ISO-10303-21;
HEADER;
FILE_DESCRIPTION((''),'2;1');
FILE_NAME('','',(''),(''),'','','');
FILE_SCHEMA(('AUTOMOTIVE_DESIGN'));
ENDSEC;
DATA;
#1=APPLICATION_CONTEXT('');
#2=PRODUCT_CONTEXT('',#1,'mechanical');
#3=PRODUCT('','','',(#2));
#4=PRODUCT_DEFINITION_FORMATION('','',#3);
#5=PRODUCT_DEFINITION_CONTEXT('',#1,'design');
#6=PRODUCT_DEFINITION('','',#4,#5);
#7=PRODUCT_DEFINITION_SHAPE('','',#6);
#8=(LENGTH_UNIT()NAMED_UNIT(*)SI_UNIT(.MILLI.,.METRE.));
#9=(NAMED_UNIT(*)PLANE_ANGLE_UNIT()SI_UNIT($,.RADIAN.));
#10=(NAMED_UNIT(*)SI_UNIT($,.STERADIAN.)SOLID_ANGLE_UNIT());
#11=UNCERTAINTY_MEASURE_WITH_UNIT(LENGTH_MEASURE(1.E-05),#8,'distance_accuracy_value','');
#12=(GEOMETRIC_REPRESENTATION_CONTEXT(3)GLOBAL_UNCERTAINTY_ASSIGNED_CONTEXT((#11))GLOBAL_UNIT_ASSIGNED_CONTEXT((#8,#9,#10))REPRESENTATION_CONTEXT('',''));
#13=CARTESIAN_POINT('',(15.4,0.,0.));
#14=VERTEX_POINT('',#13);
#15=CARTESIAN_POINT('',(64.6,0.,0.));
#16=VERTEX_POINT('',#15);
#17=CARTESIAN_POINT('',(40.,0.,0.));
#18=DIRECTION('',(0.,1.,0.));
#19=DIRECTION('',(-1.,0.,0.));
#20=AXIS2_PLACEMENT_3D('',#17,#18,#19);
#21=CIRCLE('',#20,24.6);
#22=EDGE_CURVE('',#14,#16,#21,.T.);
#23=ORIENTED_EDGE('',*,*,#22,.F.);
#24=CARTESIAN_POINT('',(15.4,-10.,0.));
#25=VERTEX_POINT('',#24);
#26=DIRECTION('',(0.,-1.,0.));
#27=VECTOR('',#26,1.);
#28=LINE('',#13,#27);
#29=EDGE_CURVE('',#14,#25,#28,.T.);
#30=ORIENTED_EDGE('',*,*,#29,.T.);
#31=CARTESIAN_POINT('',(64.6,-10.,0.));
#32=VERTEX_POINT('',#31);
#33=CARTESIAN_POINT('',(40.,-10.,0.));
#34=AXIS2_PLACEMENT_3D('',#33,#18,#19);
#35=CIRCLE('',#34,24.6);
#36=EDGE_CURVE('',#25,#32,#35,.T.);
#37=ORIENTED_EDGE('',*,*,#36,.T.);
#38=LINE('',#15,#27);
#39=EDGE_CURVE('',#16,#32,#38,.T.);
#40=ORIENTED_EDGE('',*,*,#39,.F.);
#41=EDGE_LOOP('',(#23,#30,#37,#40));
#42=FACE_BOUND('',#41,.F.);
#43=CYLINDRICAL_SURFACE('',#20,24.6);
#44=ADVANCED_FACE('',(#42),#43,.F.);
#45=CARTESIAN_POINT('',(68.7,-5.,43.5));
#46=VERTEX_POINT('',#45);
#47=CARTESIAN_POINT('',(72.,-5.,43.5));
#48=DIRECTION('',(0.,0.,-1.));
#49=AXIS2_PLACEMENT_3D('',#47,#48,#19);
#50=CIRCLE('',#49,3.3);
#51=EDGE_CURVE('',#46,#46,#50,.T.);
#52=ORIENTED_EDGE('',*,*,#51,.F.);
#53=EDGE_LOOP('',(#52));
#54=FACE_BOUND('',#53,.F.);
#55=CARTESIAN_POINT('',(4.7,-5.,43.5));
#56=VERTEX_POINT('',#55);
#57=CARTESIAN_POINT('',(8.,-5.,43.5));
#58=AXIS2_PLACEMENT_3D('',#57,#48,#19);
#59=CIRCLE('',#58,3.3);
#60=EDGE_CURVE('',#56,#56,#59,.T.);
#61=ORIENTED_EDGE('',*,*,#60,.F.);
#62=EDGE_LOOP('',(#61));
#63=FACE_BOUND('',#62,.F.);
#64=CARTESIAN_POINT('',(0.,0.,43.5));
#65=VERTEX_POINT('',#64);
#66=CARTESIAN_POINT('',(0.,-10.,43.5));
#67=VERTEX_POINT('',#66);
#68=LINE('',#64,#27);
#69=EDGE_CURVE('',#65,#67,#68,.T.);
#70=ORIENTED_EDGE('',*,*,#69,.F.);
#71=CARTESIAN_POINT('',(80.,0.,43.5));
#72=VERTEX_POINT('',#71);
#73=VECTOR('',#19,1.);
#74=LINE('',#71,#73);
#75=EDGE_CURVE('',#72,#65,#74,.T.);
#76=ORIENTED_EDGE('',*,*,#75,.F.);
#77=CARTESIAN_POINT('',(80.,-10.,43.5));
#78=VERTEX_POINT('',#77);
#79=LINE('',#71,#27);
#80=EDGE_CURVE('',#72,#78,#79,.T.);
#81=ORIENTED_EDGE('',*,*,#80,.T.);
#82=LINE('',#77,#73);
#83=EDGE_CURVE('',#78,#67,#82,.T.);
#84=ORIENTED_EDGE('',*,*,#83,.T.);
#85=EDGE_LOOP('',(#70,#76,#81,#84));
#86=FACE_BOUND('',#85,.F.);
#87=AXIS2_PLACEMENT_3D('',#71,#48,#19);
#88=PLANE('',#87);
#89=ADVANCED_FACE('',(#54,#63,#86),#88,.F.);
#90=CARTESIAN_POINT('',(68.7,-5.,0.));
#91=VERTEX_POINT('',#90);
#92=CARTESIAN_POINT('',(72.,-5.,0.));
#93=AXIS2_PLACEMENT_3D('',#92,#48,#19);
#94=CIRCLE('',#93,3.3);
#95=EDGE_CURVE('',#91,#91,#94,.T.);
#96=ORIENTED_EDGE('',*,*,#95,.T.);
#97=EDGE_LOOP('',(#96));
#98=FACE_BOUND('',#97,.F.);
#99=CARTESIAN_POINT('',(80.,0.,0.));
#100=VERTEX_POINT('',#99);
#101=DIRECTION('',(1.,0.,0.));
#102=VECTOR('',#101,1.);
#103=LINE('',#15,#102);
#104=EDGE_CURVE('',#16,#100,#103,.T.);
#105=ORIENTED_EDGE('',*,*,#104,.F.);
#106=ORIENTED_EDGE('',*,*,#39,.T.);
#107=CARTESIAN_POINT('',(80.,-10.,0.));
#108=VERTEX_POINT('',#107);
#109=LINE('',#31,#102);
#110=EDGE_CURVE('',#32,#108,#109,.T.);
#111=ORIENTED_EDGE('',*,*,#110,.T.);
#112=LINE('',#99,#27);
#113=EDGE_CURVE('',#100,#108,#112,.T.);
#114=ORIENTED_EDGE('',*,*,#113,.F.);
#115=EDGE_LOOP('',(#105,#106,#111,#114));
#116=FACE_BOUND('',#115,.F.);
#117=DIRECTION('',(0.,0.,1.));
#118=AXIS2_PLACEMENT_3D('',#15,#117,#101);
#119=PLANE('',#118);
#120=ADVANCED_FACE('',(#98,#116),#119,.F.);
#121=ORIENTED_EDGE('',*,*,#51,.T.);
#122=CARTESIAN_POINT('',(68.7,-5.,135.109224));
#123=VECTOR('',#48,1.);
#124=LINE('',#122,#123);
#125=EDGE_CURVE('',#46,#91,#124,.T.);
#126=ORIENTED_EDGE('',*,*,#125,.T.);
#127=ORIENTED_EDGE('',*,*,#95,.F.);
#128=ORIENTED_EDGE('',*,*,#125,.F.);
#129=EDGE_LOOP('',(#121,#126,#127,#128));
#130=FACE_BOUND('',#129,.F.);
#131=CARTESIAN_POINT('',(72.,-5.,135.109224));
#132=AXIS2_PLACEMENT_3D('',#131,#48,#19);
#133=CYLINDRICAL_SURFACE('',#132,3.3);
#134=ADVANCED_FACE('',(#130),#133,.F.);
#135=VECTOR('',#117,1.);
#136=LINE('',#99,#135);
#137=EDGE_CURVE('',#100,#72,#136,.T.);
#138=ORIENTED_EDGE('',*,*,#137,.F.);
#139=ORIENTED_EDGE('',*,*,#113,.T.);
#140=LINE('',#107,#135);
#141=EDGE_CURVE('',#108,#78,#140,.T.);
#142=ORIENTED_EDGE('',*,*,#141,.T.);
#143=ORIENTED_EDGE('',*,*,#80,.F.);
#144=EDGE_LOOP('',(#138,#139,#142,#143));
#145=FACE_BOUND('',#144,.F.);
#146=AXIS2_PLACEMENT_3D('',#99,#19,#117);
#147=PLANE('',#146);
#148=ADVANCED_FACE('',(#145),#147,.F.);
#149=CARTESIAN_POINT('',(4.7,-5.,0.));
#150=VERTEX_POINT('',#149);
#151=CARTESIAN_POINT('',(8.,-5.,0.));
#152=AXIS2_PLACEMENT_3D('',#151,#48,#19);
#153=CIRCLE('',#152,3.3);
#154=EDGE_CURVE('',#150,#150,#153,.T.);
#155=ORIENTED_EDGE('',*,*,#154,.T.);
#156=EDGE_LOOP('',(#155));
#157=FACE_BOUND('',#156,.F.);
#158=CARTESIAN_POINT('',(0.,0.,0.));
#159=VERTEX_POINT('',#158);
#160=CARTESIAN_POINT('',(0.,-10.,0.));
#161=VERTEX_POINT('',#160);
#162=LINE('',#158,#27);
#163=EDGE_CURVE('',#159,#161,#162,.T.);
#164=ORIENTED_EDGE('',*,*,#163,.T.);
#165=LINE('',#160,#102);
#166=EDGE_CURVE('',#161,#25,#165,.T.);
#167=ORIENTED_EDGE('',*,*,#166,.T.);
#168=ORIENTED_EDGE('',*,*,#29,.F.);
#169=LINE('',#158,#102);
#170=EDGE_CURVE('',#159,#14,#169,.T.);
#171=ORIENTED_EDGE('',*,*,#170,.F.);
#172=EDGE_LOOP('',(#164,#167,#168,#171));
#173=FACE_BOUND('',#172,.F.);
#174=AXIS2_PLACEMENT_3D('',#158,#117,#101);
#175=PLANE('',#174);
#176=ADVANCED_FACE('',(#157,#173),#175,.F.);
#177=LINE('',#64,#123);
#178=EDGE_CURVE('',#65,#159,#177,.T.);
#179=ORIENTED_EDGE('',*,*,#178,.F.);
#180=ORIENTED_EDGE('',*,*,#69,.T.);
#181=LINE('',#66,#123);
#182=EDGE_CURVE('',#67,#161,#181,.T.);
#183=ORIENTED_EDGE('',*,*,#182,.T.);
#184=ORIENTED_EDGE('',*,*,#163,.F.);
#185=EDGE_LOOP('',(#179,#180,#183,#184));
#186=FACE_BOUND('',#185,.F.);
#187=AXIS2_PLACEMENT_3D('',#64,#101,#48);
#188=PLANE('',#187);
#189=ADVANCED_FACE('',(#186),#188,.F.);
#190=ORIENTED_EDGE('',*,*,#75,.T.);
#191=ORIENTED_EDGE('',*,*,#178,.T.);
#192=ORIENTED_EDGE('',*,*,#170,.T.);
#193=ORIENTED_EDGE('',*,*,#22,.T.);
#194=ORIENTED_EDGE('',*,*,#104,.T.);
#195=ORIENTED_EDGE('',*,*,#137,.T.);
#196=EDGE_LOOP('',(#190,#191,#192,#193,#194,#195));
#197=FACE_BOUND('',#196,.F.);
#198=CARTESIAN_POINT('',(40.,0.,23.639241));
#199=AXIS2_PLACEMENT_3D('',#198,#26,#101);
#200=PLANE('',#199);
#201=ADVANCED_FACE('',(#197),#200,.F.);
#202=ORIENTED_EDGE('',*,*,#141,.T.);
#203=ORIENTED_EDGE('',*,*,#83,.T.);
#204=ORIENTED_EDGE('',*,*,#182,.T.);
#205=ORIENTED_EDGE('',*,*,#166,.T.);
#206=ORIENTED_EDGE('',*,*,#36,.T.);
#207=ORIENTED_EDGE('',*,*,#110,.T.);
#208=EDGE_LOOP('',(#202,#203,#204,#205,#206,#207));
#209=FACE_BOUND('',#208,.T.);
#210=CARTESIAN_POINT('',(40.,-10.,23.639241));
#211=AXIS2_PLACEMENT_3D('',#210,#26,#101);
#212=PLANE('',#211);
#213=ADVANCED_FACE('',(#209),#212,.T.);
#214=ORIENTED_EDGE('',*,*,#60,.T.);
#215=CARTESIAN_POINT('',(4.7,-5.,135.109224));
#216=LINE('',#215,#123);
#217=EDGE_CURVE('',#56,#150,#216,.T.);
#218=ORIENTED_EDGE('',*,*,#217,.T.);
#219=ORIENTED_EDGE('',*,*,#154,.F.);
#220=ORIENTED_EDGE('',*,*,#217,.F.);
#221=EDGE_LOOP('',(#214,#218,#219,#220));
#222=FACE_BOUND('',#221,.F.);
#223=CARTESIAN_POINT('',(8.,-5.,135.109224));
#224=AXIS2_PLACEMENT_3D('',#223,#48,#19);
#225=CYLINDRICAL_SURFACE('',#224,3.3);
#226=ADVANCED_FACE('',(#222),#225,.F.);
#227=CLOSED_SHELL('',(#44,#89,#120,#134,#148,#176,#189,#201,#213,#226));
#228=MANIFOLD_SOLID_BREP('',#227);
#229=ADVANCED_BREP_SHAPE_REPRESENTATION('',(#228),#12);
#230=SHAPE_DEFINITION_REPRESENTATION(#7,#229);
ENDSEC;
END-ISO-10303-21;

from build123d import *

# Parameters (mm, degrees)
F1_DEPTH = 10
F3_D     = 6.6


with BuildPart() as f1:
    # F0 (on Front) → F1 (new body)
    with BuildSketch(Plane.XZ):
        with BuildLine():
            Line((0, 43.5), (0, 0))
            Line((0, 0), (15.4, 0))
            ThreePointArc((15.4, 0), (40, 24.6), (64.6, 0))
            Line((64.6, 0), (80, 0))
            Line((80, 0), (80, 43.5))
            Line((80, 43.5), (0, 43.5))
        make_face()
    extrude(amount=F1_DEPTH)

    # F3 (through all)
    with Locations(Plane.XY.offset(43.5)):
        with Locations((8, -5), (72, -5)):
            Hole(F3_D / 2)


solid = f1.part
